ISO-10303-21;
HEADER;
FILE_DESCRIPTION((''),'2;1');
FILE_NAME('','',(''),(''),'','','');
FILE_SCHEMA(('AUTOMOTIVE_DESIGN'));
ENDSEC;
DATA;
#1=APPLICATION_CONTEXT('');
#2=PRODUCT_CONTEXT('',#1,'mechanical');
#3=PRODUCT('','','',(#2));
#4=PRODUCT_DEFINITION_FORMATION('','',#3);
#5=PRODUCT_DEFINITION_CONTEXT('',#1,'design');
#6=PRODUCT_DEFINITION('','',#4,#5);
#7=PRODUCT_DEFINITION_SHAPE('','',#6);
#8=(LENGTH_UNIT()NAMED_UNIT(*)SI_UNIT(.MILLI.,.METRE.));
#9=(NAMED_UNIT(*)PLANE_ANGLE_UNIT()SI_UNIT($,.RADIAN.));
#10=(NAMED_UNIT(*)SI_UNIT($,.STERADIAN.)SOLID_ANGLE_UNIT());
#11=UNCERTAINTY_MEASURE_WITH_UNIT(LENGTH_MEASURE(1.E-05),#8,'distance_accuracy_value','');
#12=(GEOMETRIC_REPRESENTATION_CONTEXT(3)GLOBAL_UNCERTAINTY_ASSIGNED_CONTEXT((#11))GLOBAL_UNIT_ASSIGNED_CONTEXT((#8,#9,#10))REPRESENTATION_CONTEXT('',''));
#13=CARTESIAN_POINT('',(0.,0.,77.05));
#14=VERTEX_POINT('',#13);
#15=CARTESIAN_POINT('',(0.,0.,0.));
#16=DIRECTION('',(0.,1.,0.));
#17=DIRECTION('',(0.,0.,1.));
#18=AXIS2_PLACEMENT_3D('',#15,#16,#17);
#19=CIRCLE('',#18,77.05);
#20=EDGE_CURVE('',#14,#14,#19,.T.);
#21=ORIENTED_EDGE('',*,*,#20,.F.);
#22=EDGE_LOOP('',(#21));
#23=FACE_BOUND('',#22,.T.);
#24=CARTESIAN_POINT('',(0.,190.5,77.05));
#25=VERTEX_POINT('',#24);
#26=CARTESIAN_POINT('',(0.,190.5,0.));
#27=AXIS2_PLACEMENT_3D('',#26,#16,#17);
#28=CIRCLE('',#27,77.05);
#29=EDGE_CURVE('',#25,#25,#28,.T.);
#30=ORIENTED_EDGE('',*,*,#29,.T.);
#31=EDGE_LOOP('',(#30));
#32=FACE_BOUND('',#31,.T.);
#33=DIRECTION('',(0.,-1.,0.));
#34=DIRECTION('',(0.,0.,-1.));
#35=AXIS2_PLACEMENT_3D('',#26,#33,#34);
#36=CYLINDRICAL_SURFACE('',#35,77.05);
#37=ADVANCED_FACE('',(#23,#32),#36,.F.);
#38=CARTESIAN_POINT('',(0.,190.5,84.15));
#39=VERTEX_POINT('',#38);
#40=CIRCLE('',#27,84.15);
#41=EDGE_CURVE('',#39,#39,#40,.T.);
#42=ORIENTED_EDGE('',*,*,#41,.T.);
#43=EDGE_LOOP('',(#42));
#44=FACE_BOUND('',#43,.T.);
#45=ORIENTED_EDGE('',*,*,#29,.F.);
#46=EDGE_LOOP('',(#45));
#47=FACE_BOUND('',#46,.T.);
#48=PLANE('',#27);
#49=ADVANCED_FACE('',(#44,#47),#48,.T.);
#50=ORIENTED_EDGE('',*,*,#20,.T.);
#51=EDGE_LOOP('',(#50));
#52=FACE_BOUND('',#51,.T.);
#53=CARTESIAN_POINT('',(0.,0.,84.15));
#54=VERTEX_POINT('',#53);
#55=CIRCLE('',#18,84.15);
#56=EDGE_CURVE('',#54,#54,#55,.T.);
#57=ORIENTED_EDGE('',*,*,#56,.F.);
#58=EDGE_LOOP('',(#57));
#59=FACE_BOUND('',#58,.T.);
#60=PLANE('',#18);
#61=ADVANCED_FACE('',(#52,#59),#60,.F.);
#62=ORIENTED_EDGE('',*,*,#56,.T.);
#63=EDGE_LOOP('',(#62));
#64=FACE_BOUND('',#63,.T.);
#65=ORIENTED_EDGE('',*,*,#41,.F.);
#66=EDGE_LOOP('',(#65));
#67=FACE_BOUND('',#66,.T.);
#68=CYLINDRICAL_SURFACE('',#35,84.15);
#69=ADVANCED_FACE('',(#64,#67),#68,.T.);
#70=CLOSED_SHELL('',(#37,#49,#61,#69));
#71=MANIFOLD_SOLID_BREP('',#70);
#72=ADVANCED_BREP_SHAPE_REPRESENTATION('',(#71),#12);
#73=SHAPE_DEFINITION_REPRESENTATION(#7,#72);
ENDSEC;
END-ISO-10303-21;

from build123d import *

# Parameters (mm, degrees)
SKETCH1_R           = 84.15
SKETCH1_R_2         = 77.05
BOSS_EXTRUDE1_DEPTH = 190.5


with BuildPart() as part:
    # Sketch1 → Boss-Extrude1 (new body)
    with BuildSketch(Plane(origin=(0, 0, 0), x_dir=(1, 0, 0), z_dir=(0, 1, 0))):
        with Locations(Location((0, 0, 0), (0, 0, 270))):
            Circle(SKETCH1_R)
        with Locations(Location((0, 0, 0), (0, 0, 270))):
            Circle(SKETCH1_R_2, mode=Mode.SUBTRACT)
    extrude(amount=BOSS_EXTRUDE1_DEPTH)


solid = part.part
